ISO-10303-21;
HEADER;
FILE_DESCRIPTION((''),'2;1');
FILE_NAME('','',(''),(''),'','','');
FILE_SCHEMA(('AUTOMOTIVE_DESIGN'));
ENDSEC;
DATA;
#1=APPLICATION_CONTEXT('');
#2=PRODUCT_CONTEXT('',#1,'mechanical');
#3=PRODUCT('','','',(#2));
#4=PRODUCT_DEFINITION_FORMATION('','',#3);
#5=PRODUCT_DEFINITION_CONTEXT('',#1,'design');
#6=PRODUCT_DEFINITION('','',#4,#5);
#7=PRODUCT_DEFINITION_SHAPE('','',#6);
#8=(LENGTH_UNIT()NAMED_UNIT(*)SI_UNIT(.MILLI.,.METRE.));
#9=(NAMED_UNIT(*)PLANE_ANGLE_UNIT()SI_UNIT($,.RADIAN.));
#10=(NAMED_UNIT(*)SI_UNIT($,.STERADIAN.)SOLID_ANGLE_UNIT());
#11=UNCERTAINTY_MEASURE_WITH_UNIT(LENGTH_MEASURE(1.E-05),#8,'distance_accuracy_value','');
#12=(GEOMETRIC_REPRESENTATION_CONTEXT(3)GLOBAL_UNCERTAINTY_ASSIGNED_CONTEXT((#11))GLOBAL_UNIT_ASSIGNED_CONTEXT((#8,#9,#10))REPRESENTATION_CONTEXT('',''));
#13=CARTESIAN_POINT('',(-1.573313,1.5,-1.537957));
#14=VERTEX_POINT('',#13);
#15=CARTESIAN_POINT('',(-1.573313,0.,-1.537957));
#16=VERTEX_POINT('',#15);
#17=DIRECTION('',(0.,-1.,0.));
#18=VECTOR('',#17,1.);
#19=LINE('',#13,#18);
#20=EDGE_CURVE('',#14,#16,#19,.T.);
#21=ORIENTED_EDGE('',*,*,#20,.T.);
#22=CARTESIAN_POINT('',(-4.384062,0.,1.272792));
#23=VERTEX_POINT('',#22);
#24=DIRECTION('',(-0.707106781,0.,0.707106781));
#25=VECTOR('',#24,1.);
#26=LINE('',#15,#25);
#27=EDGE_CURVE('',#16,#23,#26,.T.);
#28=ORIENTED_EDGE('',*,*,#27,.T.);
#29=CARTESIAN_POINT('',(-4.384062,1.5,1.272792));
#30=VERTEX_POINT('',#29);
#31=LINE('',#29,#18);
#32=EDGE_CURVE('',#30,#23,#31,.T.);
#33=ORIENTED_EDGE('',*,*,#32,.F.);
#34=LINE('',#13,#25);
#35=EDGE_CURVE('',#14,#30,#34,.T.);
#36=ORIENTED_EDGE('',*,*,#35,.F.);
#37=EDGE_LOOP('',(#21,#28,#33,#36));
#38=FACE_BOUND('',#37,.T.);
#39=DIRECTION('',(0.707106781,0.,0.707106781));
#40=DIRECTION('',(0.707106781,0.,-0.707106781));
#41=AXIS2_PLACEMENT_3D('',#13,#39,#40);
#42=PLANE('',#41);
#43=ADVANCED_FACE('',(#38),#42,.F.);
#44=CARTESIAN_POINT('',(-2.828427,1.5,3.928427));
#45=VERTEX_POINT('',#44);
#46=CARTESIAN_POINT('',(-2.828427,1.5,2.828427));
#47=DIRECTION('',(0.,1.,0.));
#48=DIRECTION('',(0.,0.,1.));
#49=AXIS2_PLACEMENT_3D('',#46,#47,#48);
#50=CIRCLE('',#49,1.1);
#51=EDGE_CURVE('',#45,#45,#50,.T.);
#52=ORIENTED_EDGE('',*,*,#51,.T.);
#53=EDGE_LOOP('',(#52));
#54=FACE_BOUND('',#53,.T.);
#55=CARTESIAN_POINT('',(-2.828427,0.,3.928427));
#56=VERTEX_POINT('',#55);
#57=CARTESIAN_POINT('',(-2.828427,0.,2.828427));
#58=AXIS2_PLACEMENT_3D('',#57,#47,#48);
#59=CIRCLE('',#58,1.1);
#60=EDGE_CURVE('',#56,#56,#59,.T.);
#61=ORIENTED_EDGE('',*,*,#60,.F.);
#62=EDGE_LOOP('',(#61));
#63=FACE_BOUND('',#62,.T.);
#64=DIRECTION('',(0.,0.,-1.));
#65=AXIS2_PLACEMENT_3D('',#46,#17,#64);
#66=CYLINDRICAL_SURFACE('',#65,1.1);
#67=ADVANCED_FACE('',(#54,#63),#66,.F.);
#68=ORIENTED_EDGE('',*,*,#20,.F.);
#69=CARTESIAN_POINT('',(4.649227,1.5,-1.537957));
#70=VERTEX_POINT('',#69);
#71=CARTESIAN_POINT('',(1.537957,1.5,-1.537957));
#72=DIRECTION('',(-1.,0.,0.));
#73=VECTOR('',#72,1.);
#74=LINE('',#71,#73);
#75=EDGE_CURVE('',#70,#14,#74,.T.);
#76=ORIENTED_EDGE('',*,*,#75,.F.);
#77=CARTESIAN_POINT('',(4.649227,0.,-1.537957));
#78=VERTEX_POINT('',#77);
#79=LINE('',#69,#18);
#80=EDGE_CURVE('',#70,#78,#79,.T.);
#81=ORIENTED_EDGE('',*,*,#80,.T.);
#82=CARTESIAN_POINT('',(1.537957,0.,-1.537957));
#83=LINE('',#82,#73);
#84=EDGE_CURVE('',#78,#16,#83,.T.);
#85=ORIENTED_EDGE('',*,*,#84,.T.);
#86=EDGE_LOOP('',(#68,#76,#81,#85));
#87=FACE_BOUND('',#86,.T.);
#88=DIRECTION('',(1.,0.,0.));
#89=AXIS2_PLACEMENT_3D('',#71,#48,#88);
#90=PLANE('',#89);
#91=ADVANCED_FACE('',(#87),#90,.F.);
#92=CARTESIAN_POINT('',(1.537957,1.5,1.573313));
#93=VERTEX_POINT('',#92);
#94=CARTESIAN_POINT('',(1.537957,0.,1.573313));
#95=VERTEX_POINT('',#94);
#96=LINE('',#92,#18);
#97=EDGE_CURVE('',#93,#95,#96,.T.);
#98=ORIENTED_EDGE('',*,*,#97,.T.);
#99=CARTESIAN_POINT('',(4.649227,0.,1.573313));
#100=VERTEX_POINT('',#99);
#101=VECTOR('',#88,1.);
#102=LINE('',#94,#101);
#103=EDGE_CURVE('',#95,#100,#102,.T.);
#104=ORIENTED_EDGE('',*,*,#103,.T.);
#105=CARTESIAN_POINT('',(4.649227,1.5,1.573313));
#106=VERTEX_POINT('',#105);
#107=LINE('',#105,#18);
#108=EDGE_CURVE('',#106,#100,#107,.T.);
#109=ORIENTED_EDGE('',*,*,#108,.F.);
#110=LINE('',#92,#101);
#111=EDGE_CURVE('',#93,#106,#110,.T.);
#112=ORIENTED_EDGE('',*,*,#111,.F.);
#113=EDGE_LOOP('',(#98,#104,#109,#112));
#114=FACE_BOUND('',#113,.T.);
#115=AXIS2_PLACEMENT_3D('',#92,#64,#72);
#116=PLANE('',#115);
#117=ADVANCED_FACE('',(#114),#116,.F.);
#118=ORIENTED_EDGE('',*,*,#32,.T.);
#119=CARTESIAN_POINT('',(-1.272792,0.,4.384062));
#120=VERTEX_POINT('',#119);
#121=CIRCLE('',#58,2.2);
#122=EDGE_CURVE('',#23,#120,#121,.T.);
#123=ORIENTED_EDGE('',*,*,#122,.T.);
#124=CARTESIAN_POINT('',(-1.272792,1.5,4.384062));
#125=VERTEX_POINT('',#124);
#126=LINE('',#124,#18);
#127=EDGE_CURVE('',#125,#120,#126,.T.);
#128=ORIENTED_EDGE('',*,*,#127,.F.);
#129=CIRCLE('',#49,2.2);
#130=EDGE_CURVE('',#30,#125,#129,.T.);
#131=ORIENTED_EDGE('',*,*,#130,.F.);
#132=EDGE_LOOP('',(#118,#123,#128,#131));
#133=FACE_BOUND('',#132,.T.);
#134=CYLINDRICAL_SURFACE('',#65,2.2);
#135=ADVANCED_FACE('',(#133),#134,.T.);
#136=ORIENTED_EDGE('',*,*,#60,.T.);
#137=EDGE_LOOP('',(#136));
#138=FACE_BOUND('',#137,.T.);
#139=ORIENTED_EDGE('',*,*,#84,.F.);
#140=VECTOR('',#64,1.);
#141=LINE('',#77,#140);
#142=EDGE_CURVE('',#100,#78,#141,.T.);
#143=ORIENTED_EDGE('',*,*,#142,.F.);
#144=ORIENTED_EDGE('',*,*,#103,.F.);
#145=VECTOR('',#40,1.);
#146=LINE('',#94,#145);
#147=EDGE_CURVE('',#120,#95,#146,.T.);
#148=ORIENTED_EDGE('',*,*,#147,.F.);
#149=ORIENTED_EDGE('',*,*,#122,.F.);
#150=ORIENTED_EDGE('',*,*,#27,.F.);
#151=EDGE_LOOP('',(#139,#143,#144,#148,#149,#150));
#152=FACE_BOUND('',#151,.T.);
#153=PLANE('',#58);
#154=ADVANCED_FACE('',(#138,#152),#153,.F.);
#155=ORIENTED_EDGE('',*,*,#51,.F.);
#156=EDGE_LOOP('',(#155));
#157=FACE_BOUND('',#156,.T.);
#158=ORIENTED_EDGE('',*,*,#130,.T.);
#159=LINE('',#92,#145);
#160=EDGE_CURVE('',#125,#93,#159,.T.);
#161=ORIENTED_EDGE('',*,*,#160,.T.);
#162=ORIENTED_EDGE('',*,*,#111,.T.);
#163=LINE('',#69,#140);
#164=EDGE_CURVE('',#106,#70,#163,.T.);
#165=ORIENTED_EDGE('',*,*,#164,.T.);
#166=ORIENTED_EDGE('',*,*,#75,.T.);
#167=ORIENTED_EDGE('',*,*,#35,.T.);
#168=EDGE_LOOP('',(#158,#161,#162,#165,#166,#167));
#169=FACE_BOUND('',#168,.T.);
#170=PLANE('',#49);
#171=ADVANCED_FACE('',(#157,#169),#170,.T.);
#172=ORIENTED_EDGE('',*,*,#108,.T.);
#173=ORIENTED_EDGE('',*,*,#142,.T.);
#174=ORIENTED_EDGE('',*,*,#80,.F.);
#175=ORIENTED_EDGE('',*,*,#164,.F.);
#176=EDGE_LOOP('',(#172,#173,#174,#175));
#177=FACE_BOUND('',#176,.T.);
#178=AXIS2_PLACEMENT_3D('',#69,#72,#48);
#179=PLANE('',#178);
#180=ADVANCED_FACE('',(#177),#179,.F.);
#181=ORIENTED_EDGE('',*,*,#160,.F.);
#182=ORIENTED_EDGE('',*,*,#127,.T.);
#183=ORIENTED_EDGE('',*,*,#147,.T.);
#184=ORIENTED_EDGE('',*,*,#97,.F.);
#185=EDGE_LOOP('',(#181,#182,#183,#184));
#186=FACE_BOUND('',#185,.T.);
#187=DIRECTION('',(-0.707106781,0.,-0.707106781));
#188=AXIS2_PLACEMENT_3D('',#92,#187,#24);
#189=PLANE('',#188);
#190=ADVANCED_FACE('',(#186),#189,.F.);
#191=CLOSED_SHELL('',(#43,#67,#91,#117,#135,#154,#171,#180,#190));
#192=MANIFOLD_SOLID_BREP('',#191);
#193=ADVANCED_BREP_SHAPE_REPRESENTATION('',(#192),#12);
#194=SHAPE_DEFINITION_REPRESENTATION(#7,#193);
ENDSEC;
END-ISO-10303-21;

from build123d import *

# Parameters (mm, degrees)
SKETCH_2_R      = 1.1
EXTRUDE_1_DEPTH = 1.5


with BuildPart() as part:
    # 草图2 → 凸台-拉伸1 (new body)
    with BuildSketch(Plane(origin=(0, 0, 0), x_dir=(1, 0, 0), z_dir=(0, 1, 0))):
        with BuildLine():
            Line((1.537957249, 1.537957249), (4.649227086, 1.537957249))
            Line((4.649227086, 1.537957249), (4.649227086, -1.573312588))
            Line((4.649227086, -1.573312588), (1.537957249, -1.573312588))
            Line((1.537957249, -1.573312588), (-1.272792206, -4.384062043))
            ThreePointArc((-1.272792206, -4.384062043), (-4.384062043, -4.384062043), (-4.384062043, -1.272792206))
            Line((-4.384062043, -1.272792206), (-1.573312588, 1.537957249))
            Line((-1.573312588, 1.537957249), (1.537957249, 1.537957249))
        make_face()
        with Locations(Location((-2.828427125, -2.828427125, 0), (0, 0, 270))):
            Circle(SKETCH_2_R, mode=Mode.SUBTRACT)
    extrude(amount=EXTRUDE_1_DEPTH)


solid = part.part
